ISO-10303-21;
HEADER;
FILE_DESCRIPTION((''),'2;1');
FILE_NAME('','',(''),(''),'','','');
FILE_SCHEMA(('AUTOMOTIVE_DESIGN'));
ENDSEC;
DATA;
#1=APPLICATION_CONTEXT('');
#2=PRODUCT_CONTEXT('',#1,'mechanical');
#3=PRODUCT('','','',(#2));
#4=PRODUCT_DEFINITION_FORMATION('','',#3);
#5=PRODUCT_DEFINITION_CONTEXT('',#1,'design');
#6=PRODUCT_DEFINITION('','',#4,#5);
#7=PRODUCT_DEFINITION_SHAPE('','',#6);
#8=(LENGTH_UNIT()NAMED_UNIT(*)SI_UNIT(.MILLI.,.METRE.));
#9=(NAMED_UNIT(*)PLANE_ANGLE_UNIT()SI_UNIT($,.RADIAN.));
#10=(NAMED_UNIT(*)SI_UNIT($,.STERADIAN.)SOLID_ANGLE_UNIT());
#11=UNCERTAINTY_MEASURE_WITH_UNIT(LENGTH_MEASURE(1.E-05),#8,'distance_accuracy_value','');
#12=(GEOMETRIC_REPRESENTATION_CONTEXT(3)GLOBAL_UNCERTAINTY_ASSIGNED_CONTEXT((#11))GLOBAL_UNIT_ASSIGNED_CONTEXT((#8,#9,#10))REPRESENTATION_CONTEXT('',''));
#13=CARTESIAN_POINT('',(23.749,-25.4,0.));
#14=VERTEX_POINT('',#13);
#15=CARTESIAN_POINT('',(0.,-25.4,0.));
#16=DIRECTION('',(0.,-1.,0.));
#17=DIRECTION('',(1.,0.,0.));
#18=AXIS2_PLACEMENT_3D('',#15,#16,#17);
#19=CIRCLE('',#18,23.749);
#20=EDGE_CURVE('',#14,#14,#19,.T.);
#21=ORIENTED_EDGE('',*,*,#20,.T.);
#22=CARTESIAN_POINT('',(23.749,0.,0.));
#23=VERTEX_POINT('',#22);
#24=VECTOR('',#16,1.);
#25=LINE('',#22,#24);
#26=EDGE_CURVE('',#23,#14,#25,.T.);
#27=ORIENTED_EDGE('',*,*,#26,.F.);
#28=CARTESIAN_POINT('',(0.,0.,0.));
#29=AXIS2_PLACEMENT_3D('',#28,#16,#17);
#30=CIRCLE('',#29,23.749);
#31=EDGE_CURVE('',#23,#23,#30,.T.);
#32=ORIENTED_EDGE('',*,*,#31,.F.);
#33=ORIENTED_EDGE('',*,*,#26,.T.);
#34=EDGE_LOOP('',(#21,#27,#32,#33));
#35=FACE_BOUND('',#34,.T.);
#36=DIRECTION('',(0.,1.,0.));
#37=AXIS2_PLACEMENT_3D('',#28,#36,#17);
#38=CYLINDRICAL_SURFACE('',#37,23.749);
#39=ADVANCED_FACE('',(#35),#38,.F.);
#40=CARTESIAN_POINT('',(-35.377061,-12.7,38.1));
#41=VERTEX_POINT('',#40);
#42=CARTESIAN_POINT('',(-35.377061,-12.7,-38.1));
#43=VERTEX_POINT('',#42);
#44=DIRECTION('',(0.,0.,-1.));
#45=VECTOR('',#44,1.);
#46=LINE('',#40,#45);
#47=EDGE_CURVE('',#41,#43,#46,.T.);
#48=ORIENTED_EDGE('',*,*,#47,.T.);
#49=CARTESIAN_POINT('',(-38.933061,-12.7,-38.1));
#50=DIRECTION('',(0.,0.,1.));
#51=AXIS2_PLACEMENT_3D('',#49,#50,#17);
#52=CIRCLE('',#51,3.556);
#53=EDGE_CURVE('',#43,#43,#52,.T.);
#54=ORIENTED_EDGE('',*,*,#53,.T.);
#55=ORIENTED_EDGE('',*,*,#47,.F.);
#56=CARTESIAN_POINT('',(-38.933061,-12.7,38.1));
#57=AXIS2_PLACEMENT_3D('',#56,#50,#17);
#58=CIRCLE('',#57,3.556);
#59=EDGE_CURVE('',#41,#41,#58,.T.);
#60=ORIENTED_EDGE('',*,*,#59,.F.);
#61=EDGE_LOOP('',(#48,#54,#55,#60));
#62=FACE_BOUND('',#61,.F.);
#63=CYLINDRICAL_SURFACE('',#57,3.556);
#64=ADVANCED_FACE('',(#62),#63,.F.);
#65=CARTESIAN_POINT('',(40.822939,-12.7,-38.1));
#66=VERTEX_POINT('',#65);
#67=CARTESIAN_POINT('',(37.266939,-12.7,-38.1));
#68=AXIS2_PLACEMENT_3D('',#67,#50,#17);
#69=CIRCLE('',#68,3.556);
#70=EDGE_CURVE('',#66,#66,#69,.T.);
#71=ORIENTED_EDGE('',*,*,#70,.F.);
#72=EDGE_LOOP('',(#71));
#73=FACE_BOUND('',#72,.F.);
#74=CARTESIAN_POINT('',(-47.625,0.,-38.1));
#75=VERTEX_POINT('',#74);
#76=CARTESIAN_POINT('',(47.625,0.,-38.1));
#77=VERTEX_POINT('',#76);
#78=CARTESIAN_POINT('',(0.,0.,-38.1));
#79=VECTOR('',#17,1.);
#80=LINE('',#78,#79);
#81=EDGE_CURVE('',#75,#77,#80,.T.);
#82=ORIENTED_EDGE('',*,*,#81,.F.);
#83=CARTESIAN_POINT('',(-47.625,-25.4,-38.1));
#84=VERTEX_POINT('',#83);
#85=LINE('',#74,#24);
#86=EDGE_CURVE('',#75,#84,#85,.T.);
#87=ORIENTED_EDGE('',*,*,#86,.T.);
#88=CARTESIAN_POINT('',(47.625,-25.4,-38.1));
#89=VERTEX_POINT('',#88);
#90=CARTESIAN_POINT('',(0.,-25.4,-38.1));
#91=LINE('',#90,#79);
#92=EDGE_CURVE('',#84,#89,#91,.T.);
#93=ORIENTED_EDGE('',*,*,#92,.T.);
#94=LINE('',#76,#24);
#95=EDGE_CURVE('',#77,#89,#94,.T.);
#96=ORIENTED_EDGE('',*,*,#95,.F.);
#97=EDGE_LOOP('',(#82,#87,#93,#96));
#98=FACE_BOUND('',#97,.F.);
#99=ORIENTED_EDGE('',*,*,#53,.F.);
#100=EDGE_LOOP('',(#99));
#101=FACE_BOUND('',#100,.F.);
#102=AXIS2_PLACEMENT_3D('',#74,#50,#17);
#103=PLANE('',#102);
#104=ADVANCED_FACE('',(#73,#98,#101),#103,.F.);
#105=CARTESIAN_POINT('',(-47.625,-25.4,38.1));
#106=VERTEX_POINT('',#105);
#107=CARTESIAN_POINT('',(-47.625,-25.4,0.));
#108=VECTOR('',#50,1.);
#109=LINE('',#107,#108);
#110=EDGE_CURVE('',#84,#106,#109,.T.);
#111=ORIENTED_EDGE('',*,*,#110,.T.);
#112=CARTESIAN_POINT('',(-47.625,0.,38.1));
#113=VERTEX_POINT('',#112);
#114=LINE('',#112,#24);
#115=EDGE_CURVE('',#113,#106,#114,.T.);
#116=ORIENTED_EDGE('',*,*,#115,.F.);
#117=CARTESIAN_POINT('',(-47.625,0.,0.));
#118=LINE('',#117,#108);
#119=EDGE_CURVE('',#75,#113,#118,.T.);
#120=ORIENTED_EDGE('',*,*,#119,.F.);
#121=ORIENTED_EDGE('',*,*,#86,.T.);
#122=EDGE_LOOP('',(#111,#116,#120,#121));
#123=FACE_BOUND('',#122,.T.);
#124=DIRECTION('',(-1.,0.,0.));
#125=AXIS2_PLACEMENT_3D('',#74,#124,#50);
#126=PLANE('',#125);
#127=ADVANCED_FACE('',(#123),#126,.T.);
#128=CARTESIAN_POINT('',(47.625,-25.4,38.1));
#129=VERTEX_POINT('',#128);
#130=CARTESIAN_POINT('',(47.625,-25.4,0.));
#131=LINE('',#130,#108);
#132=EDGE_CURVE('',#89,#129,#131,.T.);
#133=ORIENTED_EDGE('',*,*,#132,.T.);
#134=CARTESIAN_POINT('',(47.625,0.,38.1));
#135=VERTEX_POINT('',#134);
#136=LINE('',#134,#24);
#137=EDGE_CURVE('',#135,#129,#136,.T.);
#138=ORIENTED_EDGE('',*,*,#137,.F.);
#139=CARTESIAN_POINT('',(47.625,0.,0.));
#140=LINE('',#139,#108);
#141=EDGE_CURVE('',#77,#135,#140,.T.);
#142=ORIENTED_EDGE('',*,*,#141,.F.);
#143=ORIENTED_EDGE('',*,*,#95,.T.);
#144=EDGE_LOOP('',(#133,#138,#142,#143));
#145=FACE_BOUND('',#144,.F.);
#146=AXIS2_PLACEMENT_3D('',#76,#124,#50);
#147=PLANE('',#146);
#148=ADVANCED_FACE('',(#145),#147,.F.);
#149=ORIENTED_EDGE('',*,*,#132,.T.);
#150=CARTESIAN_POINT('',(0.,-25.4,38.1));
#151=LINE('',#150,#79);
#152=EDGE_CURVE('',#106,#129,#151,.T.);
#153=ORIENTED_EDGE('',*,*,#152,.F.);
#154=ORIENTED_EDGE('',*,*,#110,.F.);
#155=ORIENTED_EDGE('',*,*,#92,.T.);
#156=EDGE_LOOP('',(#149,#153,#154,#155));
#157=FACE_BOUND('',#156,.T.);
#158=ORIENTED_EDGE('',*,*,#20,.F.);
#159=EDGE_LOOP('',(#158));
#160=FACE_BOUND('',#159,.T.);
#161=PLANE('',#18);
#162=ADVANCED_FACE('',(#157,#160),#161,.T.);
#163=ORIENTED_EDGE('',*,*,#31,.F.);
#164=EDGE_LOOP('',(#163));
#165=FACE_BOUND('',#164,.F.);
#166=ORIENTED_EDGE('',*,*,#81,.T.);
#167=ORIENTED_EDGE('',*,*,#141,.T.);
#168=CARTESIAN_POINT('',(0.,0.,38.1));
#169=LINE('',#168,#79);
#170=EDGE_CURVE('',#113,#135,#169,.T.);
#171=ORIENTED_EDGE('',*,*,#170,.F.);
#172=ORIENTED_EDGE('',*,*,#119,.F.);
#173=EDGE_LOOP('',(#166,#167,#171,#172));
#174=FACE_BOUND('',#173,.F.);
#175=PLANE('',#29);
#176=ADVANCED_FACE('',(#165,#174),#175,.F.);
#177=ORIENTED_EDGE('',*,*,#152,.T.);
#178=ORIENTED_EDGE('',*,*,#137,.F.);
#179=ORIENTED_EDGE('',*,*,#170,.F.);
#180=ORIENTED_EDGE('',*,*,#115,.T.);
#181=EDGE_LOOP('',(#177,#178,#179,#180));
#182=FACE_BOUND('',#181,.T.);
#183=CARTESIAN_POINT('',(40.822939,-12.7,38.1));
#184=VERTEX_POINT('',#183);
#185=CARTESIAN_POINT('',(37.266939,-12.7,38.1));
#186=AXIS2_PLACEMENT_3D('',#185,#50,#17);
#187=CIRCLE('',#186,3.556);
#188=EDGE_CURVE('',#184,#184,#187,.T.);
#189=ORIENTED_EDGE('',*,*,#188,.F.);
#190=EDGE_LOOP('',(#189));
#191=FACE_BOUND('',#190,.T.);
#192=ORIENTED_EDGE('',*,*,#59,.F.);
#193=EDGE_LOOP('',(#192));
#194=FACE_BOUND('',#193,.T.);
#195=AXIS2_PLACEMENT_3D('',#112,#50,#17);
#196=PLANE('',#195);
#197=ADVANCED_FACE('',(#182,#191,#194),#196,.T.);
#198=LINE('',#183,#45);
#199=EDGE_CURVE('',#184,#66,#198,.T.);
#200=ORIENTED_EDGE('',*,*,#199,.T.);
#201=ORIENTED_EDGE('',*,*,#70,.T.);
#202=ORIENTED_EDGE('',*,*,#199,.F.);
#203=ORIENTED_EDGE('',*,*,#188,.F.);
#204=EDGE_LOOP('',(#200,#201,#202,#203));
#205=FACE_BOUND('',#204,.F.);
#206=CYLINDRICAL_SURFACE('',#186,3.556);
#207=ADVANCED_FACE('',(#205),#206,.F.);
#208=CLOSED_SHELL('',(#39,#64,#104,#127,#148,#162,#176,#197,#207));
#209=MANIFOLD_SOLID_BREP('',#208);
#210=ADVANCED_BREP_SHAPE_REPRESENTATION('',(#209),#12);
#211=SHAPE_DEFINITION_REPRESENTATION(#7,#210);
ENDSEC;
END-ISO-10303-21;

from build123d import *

# Parameters (mm, degrees)
F0_W     = 95.25
F0_H     = 76.2
F0_R     = 23.749
F2_DEPTH = 25.4
F3_R     = 3.556
F4_DEPTH = 76.201


with BuildPart() as f2:
    # F0 (on Front) → F2 (new body)
    with BuildSketch(Plane.XZ):
        Rectangle(F0_W, F0_H)
        Circle(F0_R, mode=Mode.SUBTRACT)
    extrude(amount=F2_DEPTH)

    # F3 (on face) → F4 (cut, through all)
    with BuildSketch(Plane.XY.offset(38.1)):
        with Locations((-38.933061, -12.7)):
            Circle(F3_R)
        with Locations((37.266939, -12.7)):
            Circle(F3_R)
    extrude(amount=-F4_DEPTH, mode=Mode.SUBTRACT)


solid = f2.part
